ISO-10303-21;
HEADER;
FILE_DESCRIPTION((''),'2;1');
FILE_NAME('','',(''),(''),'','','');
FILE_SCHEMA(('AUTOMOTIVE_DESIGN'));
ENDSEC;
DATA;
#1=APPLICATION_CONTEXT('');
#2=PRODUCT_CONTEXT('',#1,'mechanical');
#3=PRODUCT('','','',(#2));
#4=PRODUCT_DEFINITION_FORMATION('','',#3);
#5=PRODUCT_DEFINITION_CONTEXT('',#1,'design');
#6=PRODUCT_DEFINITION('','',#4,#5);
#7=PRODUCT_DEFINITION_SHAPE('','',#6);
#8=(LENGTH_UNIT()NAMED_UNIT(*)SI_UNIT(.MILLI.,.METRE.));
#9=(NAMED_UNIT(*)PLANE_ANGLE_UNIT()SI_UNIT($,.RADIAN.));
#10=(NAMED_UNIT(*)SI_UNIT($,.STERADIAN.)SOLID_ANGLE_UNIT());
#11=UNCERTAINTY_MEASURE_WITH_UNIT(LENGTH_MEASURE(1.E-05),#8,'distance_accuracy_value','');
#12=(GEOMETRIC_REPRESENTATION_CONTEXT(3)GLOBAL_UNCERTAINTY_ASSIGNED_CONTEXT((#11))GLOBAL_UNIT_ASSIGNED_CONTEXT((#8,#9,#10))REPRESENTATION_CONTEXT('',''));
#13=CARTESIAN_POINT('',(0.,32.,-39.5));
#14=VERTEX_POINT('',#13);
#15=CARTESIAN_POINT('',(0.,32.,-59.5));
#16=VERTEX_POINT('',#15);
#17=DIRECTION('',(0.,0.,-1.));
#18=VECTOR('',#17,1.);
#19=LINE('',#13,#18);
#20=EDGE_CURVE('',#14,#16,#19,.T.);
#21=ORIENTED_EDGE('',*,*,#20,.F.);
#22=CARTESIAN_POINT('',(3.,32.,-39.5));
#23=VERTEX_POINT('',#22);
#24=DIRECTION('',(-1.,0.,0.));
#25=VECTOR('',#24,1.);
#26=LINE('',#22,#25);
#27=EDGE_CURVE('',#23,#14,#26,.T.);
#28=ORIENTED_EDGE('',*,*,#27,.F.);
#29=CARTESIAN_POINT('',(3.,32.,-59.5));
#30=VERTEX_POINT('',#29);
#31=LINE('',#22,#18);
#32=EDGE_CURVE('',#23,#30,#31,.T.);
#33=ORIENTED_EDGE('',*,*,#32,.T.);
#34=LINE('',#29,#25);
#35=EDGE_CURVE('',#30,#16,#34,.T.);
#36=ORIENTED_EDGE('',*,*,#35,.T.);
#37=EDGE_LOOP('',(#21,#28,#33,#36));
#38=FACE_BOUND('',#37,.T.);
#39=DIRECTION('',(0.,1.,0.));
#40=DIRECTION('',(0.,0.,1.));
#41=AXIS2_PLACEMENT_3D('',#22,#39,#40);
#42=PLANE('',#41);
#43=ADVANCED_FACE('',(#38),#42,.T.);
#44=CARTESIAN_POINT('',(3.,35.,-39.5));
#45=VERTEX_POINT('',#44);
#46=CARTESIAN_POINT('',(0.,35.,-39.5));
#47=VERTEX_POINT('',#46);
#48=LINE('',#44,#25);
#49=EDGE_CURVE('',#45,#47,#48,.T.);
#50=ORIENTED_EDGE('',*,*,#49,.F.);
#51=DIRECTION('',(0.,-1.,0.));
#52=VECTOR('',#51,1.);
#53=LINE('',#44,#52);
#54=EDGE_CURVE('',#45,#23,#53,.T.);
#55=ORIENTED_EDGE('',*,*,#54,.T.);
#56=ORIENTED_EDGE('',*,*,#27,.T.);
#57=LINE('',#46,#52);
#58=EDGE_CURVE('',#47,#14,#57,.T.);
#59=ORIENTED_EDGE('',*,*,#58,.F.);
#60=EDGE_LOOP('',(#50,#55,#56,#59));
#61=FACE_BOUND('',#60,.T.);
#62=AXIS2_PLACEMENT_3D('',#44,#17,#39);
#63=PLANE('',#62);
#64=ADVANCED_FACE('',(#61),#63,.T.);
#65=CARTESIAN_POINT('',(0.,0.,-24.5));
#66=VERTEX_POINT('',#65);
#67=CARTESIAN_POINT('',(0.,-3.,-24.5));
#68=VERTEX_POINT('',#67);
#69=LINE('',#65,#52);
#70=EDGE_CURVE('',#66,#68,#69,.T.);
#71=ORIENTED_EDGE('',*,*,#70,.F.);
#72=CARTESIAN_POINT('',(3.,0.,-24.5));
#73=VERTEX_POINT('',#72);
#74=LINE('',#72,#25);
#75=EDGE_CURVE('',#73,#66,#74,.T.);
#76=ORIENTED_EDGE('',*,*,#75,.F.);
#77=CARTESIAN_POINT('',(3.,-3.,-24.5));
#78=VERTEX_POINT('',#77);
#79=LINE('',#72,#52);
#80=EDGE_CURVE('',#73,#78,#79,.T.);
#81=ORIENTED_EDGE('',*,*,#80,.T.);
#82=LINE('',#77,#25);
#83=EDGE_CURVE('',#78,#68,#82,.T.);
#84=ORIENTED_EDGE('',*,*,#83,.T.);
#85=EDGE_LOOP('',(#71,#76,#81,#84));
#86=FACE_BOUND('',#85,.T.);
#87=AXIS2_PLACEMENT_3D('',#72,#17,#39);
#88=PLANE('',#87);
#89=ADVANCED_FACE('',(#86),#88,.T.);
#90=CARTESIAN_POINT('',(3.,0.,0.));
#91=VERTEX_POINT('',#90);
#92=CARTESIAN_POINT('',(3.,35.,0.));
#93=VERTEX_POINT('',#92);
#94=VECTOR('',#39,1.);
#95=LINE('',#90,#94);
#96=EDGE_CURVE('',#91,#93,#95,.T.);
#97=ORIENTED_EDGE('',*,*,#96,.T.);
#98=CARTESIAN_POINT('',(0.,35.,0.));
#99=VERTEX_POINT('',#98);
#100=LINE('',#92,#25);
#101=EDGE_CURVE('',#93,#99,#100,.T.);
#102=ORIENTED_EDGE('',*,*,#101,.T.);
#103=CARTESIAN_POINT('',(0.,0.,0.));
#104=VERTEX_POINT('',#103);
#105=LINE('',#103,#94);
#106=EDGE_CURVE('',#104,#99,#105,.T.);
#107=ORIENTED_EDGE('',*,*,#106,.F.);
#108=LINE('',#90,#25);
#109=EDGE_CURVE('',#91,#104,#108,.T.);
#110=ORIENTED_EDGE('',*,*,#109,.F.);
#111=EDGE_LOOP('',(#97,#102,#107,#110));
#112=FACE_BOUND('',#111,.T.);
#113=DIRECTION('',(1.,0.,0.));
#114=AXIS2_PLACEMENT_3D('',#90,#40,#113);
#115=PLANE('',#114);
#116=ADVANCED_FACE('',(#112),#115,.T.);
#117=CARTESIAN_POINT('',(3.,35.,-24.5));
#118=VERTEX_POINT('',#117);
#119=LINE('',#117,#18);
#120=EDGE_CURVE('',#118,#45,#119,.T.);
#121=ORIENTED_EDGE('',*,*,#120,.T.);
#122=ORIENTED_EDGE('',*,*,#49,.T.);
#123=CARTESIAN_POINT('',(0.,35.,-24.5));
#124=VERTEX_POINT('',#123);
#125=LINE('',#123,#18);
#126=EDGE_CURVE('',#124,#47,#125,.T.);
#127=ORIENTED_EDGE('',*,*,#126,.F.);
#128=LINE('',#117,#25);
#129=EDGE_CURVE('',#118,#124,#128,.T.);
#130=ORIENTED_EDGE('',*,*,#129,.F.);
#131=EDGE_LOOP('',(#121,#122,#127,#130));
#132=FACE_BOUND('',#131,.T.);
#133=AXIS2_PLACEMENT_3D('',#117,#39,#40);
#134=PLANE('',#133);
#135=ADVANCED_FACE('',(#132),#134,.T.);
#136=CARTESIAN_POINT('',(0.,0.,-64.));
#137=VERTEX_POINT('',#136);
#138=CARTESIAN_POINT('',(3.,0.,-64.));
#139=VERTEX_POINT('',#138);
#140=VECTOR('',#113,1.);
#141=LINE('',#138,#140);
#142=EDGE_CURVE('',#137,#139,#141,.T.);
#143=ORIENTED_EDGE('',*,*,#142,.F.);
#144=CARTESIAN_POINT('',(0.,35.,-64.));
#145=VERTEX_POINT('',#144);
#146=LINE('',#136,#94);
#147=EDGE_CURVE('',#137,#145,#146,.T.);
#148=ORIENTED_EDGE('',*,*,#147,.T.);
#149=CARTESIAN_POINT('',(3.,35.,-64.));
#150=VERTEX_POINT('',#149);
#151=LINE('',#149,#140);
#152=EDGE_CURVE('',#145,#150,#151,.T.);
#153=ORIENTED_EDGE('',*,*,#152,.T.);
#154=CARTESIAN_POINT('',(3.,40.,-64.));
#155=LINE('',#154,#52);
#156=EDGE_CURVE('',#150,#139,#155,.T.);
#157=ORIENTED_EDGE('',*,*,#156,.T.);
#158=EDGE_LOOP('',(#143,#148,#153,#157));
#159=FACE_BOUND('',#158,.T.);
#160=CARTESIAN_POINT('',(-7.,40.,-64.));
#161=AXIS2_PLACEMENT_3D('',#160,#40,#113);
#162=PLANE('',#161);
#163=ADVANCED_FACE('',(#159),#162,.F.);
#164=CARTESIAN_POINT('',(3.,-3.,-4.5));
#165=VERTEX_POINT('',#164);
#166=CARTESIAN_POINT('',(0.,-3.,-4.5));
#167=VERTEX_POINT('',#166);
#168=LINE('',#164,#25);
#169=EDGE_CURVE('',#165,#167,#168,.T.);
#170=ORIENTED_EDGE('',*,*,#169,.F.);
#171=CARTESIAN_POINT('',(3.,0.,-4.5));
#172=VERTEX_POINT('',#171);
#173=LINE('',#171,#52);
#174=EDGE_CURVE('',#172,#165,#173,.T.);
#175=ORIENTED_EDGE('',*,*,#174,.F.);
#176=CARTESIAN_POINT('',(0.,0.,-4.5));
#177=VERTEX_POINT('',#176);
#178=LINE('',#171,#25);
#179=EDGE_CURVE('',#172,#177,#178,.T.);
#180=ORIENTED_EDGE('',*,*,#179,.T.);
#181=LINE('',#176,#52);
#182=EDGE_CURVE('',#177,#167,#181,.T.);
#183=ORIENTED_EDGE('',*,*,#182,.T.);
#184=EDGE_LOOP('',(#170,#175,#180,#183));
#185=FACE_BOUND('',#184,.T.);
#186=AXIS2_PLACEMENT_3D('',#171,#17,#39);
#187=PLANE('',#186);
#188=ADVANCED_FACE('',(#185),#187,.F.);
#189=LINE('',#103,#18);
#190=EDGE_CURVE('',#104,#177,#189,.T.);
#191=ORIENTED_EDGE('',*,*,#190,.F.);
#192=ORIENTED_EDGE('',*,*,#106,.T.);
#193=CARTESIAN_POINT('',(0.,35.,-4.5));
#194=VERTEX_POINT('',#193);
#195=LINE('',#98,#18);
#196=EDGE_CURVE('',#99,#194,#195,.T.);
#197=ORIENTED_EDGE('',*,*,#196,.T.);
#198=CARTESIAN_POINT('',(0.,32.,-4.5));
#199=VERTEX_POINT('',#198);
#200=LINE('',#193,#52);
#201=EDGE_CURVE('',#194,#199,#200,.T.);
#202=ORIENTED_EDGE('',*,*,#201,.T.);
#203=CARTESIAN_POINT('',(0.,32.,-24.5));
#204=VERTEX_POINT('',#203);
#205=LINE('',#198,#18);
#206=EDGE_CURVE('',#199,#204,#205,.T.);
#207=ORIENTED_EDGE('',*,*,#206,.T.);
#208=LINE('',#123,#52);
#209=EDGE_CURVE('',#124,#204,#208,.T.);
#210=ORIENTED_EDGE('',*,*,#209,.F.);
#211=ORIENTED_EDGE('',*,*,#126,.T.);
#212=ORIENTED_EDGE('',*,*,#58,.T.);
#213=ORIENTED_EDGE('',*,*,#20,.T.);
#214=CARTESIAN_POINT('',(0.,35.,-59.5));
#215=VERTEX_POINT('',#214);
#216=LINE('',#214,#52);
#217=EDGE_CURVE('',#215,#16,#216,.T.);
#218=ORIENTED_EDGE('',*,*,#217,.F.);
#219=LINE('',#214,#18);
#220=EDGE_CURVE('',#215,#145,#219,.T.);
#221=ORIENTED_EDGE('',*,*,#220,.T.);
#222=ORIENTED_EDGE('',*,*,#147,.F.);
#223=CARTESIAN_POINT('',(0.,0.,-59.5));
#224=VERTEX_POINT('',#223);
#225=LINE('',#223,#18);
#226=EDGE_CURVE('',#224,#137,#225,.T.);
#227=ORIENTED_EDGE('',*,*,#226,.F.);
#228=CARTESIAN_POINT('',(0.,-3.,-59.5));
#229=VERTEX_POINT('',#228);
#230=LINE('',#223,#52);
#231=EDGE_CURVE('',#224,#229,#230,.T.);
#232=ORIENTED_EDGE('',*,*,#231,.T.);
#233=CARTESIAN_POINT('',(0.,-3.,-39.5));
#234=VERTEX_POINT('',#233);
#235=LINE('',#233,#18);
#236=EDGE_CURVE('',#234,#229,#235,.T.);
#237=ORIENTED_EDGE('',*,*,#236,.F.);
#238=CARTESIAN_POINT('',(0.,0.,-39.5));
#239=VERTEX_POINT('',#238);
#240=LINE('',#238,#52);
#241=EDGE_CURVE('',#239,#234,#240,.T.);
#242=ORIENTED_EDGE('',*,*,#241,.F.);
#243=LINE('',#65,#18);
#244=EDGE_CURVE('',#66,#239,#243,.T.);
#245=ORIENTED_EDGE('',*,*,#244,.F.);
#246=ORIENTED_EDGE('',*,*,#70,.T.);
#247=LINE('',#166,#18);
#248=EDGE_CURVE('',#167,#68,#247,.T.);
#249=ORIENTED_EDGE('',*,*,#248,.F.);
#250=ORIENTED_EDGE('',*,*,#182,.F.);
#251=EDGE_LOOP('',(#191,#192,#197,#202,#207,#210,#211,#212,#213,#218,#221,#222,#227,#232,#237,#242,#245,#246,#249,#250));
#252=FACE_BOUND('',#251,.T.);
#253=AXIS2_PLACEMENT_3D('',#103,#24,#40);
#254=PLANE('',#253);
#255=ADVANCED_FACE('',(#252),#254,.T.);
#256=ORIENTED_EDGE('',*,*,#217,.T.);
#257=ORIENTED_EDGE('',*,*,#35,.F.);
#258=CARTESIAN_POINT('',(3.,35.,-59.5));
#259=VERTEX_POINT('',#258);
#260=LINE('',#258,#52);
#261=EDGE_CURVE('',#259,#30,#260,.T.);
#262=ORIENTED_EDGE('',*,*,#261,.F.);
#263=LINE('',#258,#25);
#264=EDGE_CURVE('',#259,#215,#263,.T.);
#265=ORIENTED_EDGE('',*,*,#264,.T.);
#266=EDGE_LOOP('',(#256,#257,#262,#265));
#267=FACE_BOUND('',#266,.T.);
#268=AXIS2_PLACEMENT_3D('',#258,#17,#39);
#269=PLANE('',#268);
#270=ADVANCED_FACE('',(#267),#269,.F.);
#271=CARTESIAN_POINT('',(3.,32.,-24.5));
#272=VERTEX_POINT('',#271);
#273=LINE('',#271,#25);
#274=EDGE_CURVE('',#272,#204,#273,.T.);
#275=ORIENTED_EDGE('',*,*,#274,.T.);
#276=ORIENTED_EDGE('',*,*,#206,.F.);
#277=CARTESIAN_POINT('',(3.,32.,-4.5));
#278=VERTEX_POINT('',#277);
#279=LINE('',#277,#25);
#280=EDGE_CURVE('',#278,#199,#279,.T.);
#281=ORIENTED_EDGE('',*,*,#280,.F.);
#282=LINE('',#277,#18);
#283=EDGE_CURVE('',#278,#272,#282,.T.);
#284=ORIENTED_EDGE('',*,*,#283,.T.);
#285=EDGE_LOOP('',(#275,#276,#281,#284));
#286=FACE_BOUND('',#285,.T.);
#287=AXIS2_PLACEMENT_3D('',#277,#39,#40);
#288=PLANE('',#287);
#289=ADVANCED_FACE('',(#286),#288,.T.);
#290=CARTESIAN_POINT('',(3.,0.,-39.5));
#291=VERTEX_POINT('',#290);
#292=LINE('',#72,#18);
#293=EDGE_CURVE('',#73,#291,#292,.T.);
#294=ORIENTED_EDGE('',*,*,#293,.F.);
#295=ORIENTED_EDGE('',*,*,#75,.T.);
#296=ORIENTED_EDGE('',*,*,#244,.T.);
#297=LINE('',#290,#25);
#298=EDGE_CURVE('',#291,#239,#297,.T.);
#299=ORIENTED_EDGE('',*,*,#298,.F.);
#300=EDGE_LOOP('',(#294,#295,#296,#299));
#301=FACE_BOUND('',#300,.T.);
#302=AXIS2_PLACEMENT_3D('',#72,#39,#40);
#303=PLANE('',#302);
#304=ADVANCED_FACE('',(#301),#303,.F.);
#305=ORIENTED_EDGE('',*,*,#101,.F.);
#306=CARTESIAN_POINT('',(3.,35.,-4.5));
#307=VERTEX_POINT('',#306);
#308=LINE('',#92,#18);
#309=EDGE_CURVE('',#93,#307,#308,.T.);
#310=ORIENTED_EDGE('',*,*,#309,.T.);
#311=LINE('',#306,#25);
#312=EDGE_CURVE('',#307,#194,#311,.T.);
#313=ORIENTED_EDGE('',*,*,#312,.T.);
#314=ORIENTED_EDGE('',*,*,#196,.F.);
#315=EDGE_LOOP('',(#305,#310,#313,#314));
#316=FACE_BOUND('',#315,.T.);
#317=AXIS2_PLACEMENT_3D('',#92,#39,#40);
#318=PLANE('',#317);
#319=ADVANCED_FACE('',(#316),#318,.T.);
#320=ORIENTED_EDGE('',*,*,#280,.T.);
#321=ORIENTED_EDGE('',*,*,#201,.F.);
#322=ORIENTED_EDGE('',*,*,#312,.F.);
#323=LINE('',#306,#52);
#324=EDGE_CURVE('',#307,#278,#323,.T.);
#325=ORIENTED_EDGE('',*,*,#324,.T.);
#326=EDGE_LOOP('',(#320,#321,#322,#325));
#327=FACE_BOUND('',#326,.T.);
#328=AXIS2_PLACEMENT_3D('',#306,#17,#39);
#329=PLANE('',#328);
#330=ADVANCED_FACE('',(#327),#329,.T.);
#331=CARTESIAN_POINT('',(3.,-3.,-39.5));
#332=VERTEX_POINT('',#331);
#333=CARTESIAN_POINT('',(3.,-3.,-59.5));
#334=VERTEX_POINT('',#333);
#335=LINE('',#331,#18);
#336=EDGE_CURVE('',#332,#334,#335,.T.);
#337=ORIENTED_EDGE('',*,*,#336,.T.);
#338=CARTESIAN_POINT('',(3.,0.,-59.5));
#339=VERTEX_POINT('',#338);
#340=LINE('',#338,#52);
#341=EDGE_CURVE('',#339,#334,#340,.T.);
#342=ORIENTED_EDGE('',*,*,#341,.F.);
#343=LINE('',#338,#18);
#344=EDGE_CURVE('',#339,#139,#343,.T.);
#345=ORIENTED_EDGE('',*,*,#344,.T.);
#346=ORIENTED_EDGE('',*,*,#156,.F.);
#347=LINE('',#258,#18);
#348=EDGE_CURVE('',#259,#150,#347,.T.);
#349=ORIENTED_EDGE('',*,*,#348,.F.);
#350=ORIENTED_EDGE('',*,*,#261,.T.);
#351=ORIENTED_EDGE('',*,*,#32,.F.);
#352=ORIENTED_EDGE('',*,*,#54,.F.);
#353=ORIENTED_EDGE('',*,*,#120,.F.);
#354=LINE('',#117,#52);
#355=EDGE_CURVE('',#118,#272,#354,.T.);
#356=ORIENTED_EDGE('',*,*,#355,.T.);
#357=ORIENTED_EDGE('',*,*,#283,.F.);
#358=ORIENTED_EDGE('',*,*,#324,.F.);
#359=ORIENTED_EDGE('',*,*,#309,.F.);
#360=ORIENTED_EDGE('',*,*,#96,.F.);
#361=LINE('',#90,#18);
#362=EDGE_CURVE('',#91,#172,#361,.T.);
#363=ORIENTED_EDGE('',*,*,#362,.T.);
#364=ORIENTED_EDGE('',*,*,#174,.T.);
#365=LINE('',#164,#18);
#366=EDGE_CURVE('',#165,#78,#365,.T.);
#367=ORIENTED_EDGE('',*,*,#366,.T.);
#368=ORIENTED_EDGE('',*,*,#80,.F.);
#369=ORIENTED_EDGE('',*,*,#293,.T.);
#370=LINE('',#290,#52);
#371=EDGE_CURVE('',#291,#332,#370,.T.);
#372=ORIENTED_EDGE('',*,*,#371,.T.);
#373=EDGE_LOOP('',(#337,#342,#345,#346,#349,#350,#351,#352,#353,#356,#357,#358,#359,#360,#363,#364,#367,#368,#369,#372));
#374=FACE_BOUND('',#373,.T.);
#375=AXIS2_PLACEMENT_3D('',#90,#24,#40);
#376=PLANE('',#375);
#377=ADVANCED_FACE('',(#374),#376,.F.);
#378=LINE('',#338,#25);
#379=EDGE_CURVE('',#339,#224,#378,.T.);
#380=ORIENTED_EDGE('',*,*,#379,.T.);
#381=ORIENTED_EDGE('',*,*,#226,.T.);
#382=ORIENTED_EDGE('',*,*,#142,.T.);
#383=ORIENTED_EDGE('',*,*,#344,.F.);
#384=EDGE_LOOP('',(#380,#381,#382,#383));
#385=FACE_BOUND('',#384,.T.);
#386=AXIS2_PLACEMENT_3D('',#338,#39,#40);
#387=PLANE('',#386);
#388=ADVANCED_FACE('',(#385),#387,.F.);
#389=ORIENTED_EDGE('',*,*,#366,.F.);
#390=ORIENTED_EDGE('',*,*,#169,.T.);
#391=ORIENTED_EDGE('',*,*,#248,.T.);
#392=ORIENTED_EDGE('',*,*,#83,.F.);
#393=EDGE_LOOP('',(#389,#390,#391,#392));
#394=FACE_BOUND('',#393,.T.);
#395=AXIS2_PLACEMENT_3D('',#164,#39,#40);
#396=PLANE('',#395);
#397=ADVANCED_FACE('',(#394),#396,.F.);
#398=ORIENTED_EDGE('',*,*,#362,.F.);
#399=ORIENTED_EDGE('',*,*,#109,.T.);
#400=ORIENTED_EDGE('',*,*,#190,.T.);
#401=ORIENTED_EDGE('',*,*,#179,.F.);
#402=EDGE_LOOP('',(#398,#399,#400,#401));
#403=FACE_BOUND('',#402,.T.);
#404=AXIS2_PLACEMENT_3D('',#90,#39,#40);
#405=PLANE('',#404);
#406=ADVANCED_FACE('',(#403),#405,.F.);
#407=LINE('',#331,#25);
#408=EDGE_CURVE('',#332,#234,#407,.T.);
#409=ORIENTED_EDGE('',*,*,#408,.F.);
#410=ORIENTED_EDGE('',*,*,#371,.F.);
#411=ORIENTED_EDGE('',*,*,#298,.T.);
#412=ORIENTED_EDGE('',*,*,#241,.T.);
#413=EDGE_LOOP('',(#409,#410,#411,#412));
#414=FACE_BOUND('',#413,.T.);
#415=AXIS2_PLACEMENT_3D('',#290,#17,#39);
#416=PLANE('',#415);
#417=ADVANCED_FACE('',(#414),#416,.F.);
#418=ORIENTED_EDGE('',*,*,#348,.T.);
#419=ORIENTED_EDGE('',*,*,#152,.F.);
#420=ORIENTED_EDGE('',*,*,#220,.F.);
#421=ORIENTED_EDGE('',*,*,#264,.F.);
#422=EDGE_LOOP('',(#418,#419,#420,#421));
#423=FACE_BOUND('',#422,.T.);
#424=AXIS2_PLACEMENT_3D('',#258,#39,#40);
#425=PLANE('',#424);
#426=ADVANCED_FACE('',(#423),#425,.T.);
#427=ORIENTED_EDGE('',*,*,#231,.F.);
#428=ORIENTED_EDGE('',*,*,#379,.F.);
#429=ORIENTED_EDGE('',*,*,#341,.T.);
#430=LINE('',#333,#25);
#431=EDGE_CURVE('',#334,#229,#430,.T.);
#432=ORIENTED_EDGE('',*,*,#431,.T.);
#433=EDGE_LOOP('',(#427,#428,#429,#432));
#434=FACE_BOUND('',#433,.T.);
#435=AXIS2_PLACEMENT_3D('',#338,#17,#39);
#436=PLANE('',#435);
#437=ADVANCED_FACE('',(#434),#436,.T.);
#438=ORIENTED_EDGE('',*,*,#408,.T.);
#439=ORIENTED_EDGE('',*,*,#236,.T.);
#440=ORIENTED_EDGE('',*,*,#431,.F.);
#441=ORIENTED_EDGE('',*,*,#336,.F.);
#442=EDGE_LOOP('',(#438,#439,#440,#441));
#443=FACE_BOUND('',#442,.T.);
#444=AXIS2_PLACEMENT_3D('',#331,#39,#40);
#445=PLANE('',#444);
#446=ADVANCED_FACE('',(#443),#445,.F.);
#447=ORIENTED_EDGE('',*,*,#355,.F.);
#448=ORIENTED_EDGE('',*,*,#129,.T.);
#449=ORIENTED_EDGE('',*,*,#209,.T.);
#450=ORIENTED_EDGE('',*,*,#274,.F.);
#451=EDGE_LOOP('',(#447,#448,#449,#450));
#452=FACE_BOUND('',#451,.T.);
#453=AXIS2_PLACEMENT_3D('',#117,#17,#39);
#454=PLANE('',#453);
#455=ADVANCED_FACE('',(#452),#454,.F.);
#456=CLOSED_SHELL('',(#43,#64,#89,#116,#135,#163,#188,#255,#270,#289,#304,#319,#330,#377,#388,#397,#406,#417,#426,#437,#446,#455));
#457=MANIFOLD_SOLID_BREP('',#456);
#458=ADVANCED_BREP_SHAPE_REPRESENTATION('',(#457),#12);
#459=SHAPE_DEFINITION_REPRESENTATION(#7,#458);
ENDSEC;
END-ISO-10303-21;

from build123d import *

# Parameters (mm, degrees)
BOSS_EXTRUDE1_DEPTH = 3
SKETCH2_W           = 213
SKETCH2_H           = 45
CUT_EXTRUDE1_DEPTH  = 10


with BuildPart() as part:
    # Sketch1 → Boss-Extrude1 (new body)
    with BuildSketch(Plane(origin=(0, 0, 0), x_dir=(0, 0, -1), z_dir=(1, 0, 0))):
        Polygon((24.5, 0), (39.5, 0), (39.5, -3), (59.5, -3), (59.5, 0), (74.5, 0), (74.5, -3), (94.5, -3), (94.5, 0), (109.5, 0), (109.5, -3), (129.5, -3), (129.5, 0), (144.5, 0), (144.5, -3), (164.5, -3), (164.5, 0), (179.5, 0), (179.5, -3), (199.5, -3), (199.5, 0), (214.5, 0), (214.5, -3), (234.5, -3), (234.5, 0), (249.5, 0), (249.5, -3), (269.5, -3), (269.5, 0), (277, 0), (277, 35), (269.5, 35), (269.5, 32), (249.5, 32), (249.5, 35), (234.5, 35), (234.5, 32), (214.5, 32), (214.5, 35), (199.5, 35), (199.5, 32), (179.5, 32), (179.5, 35), (164.5, 35), (164.5, 32), (144.5, 32), (144.5, 35), (129.5, 35), (129.5, 32), (109.5, 32), (109.5, 35), (94.5, 35), (94.5, 32), (74.5, 32), (74.5, 35), (59.5, 35), (59.5, 32), (39.5, 32), (39.5, 35), (24.5, 35), (24.5, 32), (4.5, 32), (4.5, 35), (0, 35), (0, 0), (4.5, 0), (4.5, -3), (24.5, -3), align=None)
    extrude(amount=BOSS_EXTRUDE1_DEPTH)

    # Sketch2 → Cut-Extrude1 (cut)
    with BuildSketch(Plane(origin=(3, 0, 0), x_dir=(0, 0, -1), z_dir=(1, 0, 0))):
        with Locations((170.5, 17.5)):
            Rectangle(SKETCH2_W, SKETCH2_H)
    extrude(amount=-CUT_EXTRUDE1_DEPTH, mode=Mode.SUBTRACT)


solid = part.part
